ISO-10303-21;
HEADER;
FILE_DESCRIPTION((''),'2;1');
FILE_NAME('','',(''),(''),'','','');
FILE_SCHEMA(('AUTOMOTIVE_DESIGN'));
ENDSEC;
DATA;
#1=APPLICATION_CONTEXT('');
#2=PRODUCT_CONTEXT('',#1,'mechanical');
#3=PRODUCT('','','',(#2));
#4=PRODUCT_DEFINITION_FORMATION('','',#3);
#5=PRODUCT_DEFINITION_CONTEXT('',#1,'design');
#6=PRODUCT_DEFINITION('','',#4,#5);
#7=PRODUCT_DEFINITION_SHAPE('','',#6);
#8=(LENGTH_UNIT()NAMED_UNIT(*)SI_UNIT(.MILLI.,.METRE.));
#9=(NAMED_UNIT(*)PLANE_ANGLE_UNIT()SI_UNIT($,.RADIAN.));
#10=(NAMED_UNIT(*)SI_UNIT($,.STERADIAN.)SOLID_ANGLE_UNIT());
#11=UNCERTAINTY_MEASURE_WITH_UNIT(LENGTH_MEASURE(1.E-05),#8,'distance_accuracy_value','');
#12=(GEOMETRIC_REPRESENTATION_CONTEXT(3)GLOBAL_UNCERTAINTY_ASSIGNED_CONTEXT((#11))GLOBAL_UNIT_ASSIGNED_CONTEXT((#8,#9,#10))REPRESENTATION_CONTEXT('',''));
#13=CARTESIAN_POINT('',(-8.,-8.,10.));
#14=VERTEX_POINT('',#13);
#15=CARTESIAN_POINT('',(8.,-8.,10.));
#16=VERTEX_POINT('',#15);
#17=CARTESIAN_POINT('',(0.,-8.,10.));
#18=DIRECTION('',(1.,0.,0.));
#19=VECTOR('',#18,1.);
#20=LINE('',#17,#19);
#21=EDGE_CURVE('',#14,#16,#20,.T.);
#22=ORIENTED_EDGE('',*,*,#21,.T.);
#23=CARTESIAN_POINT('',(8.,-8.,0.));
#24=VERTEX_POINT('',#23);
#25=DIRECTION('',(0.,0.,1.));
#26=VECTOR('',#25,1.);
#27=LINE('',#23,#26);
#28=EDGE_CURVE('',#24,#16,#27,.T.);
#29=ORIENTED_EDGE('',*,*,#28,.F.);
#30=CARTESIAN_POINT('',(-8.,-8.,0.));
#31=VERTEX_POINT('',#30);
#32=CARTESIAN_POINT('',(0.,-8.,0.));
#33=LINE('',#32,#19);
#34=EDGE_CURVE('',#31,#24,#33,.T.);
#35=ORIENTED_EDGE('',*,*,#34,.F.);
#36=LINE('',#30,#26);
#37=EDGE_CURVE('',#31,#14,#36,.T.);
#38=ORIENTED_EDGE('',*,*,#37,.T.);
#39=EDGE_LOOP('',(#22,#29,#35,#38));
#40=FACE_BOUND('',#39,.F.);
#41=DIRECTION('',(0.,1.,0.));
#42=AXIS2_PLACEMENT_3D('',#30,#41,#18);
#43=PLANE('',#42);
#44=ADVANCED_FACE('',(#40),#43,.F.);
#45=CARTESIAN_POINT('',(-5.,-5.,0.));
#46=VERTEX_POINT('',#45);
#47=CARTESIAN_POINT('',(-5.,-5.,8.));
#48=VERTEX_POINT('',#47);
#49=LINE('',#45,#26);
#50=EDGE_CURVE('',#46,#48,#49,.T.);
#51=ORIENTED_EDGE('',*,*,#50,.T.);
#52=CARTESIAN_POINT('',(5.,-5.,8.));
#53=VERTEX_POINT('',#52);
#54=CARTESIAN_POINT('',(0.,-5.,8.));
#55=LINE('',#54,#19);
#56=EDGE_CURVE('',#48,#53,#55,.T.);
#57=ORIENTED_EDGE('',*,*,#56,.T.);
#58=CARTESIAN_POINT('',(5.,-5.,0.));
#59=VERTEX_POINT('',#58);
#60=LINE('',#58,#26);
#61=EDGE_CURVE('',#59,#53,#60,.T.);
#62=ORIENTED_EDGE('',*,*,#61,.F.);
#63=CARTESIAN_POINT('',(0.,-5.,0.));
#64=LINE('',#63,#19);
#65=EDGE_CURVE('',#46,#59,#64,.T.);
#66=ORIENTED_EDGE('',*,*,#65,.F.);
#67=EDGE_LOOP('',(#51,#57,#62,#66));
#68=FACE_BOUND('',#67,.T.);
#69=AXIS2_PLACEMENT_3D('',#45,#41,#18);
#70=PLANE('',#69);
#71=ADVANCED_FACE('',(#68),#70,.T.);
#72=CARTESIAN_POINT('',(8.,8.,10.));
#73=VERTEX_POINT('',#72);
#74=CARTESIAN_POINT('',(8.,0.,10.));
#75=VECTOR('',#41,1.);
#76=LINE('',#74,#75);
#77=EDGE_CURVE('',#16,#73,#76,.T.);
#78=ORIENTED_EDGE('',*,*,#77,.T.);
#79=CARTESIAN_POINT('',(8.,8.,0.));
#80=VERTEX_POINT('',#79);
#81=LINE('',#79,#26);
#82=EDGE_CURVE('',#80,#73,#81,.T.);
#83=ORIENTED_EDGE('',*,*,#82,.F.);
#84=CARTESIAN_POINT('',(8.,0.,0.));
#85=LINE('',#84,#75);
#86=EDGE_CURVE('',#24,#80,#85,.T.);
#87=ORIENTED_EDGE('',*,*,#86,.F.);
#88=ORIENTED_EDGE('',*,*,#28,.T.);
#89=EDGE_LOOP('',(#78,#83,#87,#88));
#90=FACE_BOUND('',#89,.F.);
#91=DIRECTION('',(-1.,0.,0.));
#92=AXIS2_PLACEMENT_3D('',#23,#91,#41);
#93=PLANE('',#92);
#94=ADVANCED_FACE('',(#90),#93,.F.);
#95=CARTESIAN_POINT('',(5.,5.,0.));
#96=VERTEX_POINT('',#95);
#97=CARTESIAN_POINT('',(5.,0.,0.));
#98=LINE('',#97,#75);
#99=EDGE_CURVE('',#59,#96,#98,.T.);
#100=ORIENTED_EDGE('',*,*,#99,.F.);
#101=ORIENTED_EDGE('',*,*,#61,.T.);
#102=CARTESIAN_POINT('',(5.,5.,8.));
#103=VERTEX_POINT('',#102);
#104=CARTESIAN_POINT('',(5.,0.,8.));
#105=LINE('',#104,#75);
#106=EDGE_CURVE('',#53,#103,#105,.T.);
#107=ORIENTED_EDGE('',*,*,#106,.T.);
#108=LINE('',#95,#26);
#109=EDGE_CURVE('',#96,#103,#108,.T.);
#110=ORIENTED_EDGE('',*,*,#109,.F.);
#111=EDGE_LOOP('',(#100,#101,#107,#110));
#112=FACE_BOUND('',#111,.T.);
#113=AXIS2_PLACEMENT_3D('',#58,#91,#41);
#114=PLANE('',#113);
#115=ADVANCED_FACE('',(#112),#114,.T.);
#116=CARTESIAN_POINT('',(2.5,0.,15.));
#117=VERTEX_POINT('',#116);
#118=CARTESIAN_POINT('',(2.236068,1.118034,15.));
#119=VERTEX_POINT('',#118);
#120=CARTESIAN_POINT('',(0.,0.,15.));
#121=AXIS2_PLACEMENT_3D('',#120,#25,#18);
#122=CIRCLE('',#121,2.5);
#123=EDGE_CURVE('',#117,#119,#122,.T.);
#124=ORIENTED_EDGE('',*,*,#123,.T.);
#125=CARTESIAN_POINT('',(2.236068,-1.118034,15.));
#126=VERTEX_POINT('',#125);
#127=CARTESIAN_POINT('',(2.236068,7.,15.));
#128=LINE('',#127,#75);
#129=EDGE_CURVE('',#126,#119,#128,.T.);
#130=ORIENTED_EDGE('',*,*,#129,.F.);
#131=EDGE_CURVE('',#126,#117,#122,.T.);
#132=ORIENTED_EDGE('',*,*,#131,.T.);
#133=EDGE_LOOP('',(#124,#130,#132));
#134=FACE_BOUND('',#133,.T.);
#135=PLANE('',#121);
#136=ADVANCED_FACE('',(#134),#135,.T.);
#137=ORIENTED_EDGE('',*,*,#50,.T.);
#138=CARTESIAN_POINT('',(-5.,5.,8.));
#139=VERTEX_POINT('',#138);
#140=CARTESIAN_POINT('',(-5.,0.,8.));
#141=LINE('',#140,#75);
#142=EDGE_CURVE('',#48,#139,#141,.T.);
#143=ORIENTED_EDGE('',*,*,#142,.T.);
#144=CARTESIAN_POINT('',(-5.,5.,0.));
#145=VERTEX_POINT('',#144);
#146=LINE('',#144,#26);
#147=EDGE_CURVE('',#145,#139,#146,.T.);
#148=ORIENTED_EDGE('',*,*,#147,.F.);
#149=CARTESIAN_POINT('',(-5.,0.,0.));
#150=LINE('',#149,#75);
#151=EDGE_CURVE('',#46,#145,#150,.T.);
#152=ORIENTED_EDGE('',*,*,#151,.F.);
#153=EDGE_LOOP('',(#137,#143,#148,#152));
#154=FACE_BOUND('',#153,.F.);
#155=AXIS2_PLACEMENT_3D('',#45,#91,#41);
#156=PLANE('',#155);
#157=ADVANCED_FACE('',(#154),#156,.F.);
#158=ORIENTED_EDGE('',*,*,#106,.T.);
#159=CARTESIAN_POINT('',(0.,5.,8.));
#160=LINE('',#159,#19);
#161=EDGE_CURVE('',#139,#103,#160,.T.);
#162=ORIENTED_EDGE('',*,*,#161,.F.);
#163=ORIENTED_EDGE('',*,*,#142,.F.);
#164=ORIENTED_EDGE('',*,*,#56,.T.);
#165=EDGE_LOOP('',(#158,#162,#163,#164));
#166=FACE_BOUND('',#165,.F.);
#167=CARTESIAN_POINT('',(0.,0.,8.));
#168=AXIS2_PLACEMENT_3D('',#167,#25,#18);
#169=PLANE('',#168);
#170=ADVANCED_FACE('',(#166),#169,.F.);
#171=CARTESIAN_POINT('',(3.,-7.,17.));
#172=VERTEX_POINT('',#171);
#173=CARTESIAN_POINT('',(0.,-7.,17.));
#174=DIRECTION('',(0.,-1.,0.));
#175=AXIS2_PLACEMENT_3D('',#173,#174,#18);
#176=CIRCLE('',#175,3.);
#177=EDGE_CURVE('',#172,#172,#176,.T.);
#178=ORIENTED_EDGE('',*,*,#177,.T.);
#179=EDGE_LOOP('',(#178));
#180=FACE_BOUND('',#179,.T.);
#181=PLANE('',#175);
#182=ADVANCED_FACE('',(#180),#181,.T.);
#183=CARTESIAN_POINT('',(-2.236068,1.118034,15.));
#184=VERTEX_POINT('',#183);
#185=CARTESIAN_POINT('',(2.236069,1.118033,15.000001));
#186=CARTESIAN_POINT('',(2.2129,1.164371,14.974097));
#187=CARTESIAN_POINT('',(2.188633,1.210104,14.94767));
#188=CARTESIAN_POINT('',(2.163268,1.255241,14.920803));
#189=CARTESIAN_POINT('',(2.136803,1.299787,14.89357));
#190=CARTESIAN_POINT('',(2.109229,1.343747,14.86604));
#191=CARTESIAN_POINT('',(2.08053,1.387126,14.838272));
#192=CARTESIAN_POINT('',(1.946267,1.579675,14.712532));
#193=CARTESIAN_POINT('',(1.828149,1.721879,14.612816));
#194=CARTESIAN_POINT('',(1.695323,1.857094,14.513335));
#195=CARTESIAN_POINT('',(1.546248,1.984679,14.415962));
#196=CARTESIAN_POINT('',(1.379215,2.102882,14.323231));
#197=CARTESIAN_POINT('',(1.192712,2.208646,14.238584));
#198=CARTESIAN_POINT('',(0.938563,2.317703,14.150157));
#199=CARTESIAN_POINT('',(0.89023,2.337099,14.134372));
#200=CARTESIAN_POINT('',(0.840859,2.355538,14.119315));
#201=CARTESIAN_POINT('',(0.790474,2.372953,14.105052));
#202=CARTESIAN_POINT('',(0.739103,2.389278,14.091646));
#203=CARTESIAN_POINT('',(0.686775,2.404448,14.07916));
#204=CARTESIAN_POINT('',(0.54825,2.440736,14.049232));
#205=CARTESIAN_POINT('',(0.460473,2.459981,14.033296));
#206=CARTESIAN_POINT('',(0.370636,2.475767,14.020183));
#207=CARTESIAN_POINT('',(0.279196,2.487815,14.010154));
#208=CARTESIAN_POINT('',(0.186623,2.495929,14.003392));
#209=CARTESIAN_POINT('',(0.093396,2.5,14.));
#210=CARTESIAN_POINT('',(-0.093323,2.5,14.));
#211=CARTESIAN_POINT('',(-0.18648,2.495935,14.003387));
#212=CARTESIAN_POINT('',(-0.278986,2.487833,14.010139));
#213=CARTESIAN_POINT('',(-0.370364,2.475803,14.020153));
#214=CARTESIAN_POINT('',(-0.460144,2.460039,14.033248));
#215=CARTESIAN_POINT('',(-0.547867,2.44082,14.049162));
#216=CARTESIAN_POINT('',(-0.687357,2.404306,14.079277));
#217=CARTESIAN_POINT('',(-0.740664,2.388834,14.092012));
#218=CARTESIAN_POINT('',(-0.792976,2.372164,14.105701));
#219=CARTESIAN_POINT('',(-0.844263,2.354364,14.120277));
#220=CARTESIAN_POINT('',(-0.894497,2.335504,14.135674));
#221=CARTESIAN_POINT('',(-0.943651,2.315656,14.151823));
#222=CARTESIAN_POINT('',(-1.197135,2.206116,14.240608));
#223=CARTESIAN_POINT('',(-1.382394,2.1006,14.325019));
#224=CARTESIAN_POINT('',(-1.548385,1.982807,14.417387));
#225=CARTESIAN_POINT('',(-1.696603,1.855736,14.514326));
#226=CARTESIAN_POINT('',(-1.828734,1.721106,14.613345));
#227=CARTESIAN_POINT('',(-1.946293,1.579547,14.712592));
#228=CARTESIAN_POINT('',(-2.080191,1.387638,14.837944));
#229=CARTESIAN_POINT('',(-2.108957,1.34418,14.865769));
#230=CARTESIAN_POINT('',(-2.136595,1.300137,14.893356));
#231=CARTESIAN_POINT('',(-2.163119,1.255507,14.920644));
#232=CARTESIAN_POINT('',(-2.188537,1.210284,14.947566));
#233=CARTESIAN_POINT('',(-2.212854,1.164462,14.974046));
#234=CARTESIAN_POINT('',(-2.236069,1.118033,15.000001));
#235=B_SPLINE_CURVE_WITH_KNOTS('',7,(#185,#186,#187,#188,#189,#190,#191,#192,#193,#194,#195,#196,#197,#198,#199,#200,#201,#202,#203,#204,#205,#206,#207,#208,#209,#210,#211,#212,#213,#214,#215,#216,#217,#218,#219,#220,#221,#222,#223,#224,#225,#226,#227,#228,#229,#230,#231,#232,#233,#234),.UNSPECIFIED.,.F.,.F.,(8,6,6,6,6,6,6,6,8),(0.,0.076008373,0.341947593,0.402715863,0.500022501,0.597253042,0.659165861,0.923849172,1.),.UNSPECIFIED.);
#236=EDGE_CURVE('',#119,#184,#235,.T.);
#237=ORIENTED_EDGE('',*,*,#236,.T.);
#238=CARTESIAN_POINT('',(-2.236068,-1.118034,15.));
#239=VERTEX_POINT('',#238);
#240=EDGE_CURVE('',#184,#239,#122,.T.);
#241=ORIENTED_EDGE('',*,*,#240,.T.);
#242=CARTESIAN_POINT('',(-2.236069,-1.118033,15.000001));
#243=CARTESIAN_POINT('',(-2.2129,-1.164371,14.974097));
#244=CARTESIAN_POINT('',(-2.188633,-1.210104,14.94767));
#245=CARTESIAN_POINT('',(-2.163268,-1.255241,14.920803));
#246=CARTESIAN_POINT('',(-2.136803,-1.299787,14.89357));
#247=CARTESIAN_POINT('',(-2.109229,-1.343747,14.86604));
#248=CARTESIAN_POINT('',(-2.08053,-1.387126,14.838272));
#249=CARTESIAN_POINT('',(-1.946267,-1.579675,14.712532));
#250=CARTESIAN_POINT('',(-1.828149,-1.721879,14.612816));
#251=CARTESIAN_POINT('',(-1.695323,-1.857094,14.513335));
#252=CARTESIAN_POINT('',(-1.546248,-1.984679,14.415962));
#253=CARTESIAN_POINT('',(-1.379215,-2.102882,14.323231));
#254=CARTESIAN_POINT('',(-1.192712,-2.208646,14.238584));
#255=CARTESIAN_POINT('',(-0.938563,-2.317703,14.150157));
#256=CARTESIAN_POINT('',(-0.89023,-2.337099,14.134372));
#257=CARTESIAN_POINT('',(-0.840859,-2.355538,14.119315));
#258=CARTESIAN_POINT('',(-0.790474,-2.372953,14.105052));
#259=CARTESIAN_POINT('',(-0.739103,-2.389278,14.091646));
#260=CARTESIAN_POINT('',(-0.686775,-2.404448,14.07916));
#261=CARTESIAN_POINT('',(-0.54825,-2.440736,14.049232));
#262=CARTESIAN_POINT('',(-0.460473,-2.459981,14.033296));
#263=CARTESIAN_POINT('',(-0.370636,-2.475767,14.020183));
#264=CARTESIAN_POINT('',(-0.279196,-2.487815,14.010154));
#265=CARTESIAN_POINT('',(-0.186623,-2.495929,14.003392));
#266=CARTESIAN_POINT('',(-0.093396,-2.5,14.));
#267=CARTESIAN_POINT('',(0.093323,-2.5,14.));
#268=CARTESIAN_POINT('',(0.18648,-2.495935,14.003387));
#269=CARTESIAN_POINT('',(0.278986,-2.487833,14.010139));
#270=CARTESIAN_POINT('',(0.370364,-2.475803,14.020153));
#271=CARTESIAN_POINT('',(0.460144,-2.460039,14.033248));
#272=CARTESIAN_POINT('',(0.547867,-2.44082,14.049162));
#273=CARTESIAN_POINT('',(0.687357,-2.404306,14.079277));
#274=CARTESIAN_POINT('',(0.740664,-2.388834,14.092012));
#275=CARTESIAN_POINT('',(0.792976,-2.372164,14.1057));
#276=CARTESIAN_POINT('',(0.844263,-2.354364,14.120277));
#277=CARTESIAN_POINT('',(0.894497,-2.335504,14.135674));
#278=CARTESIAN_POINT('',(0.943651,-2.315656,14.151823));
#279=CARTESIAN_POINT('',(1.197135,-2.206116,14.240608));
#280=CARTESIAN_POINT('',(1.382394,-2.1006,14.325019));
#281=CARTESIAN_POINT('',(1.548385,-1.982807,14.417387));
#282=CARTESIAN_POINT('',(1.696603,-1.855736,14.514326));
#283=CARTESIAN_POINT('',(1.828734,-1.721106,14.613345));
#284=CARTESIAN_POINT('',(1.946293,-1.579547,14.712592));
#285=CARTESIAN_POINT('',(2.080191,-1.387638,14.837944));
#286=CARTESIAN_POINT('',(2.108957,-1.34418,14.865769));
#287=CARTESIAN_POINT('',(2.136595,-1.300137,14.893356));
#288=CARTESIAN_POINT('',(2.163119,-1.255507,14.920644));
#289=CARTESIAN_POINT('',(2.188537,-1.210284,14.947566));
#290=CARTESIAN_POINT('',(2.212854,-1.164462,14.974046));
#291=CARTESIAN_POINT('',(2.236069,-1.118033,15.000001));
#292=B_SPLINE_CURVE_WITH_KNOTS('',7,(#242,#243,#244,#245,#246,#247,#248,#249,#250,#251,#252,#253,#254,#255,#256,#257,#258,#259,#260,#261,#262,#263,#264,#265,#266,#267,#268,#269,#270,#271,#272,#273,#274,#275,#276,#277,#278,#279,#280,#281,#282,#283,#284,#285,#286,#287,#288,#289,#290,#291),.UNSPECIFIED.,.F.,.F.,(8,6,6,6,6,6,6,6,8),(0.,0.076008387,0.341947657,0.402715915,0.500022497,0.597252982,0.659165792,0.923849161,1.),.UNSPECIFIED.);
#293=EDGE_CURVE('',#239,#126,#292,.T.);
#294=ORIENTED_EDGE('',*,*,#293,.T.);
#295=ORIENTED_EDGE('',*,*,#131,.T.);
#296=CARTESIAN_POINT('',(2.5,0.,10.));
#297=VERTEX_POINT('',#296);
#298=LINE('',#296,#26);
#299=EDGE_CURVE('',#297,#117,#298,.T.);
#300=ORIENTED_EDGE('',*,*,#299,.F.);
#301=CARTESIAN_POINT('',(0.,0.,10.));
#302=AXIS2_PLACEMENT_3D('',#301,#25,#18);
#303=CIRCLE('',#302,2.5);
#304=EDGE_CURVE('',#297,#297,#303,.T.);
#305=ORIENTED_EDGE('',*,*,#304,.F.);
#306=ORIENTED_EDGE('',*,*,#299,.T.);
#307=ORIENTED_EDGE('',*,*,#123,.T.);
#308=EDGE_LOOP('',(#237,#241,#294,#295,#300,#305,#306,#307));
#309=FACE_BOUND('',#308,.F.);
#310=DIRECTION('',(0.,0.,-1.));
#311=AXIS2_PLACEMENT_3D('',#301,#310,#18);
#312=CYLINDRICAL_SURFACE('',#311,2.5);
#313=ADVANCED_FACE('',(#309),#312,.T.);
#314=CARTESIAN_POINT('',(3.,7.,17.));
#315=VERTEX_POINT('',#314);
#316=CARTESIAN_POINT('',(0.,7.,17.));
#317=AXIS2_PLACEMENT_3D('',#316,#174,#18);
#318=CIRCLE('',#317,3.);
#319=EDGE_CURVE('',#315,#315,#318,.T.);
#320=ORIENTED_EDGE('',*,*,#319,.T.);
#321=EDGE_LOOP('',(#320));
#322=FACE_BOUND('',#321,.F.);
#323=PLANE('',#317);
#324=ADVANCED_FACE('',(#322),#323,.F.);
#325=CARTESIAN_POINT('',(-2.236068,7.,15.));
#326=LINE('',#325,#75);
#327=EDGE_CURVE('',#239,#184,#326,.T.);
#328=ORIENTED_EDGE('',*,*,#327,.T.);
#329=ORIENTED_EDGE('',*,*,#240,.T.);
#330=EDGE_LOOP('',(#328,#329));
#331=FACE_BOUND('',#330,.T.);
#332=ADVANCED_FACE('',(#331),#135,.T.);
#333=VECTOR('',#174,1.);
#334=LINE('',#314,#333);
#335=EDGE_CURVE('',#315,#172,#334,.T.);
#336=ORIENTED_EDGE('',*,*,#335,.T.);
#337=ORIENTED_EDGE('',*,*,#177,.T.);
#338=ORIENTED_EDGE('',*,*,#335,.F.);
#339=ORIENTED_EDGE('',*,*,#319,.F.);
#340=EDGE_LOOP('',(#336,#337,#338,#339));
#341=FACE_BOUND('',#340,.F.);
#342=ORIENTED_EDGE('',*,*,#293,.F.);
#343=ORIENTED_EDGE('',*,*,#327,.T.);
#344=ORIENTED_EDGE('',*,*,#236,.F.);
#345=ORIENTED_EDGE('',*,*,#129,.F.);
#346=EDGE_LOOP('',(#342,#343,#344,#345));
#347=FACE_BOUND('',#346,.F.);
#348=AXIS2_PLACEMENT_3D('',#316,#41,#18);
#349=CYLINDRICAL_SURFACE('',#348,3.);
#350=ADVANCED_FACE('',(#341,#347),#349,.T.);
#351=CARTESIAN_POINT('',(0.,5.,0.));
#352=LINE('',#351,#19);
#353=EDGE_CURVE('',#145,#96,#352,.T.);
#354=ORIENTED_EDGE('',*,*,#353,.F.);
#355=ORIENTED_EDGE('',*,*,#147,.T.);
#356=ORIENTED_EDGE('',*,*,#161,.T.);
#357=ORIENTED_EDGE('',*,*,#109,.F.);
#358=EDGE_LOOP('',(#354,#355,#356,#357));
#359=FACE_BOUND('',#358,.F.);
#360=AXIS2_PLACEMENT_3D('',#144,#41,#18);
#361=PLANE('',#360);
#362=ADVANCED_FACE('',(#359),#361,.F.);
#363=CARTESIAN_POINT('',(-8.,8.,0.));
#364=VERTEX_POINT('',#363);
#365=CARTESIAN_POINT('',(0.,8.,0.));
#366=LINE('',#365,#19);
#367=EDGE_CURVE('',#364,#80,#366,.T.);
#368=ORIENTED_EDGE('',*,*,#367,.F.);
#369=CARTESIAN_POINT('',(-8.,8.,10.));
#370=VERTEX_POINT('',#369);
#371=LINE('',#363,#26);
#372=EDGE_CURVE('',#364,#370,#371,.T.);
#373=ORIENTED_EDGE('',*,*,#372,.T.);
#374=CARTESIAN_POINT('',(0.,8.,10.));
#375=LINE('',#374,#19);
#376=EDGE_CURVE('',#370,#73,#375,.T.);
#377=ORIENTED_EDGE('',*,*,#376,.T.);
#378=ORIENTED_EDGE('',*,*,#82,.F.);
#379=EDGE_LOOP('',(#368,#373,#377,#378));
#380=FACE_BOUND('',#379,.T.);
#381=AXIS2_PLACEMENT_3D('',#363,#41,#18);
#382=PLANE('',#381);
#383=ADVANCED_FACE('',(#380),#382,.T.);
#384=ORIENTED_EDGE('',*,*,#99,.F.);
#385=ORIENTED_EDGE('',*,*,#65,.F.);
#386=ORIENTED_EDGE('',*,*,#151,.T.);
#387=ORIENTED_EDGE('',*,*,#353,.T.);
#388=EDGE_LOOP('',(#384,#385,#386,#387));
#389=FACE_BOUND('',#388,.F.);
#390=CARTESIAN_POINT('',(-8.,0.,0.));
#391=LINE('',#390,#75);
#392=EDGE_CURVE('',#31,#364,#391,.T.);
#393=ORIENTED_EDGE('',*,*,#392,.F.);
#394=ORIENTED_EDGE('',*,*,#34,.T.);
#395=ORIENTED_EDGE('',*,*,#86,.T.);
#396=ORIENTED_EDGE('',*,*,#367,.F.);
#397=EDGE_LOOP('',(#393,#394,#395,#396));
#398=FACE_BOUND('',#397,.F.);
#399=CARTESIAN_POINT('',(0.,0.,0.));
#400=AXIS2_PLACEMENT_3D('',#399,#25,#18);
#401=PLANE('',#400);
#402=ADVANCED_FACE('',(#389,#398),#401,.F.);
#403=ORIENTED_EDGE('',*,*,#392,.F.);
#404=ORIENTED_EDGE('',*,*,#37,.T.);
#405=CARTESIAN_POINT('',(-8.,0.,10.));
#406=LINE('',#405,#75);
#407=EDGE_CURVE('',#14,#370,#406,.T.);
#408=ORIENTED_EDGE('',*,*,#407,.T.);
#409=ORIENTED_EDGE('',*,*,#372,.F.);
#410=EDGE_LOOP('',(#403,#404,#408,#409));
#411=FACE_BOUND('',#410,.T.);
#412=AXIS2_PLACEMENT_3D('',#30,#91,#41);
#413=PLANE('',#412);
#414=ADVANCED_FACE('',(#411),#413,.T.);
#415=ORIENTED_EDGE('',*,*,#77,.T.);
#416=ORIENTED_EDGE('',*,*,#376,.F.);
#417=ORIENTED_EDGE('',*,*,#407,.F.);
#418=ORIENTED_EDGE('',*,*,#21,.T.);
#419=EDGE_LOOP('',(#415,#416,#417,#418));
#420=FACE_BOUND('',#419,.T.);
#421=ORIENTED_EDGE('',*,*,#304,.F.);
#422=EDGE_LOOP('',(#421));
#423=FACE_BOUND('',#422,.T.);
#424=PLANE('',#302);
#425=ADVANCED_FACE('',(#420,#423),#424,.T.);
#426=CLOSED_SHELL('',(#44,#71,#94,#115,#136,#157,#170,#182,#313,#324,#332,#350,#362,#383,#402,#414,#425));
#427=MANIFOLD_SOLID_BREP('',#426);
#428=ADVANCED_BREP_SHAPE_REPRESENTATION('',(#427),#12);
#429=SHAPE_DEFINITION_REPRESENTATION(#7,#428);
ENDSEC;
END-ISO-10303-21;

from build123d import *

# Parameters (mm, degrees)
BOX001_W       = 10
BOX001_H       = 10
BOX001_DEPTH   = 8
CYLINDER_R     = 2.5
CYLINDER_DEPTH = 5
SKETCH_R       = 3
EXTRUDE_DEPTH  = 14
BOX_W          = 16
BOX_H          = 16
BOX_DEPTH      = 10


with BuildPart() as cube001:
    # Box001 → Box001 (new body)
    with BuildSketch(Plane(origin=(-5, -5, 0), x_dir=(1, 0, 0), z_dir=(0, 0, 1))):
        with Locations((5, 5)):
            Rectangle(BOX001_W, BOX001_H)
    extrude(amount=BOX001_DEPTH)


with BuildPart() as cylinder:
    # Cylinder → Cylinder (new body)
    with BuildSketch(Plane.XY.offset(10)):
        Circle(CYLINDER_R)
    extrude(amount=CYLINDER_DEPTH)


with BuildPart() as extrude_body:
    # Sketch (on Cylinder) → Extrude (new body)
    with BuildSketch(Plane(origin=(0, 0, 10), x_dir=(1, 0, 0), z_dir=(0, -1, 0))):
        with Locations((0, 7)):
            Circle(SKETCH_R)
    extrude(amount=EXTRUDE_DEPTH)


with BuildPart() as extrude_body_1:
    # Extrude placement: moved
    add(extrude_body.part.moved(Location((0, 7, 0))))


with BuildPart() as cut:
    # Box → Box (new body)
    with BuildSketch(Plane(origin=(-8, -8, 0), x_dir=(1, 0, 0), z_dir=(0, 0, 1))):
        with Locations((8, 8)):
            Rectangle(BOX_W, BOX_H)
    extrude(amount=BOX_DEPTH)

    # Fusion: union Cylinder, Extrude body
    add(cylinder.part)
    add(extrude_body_1.part)

    # Cut: cut Cube001
    add(cube001.part, mode=Mode.SUBTRACT)


solid = cut.part
